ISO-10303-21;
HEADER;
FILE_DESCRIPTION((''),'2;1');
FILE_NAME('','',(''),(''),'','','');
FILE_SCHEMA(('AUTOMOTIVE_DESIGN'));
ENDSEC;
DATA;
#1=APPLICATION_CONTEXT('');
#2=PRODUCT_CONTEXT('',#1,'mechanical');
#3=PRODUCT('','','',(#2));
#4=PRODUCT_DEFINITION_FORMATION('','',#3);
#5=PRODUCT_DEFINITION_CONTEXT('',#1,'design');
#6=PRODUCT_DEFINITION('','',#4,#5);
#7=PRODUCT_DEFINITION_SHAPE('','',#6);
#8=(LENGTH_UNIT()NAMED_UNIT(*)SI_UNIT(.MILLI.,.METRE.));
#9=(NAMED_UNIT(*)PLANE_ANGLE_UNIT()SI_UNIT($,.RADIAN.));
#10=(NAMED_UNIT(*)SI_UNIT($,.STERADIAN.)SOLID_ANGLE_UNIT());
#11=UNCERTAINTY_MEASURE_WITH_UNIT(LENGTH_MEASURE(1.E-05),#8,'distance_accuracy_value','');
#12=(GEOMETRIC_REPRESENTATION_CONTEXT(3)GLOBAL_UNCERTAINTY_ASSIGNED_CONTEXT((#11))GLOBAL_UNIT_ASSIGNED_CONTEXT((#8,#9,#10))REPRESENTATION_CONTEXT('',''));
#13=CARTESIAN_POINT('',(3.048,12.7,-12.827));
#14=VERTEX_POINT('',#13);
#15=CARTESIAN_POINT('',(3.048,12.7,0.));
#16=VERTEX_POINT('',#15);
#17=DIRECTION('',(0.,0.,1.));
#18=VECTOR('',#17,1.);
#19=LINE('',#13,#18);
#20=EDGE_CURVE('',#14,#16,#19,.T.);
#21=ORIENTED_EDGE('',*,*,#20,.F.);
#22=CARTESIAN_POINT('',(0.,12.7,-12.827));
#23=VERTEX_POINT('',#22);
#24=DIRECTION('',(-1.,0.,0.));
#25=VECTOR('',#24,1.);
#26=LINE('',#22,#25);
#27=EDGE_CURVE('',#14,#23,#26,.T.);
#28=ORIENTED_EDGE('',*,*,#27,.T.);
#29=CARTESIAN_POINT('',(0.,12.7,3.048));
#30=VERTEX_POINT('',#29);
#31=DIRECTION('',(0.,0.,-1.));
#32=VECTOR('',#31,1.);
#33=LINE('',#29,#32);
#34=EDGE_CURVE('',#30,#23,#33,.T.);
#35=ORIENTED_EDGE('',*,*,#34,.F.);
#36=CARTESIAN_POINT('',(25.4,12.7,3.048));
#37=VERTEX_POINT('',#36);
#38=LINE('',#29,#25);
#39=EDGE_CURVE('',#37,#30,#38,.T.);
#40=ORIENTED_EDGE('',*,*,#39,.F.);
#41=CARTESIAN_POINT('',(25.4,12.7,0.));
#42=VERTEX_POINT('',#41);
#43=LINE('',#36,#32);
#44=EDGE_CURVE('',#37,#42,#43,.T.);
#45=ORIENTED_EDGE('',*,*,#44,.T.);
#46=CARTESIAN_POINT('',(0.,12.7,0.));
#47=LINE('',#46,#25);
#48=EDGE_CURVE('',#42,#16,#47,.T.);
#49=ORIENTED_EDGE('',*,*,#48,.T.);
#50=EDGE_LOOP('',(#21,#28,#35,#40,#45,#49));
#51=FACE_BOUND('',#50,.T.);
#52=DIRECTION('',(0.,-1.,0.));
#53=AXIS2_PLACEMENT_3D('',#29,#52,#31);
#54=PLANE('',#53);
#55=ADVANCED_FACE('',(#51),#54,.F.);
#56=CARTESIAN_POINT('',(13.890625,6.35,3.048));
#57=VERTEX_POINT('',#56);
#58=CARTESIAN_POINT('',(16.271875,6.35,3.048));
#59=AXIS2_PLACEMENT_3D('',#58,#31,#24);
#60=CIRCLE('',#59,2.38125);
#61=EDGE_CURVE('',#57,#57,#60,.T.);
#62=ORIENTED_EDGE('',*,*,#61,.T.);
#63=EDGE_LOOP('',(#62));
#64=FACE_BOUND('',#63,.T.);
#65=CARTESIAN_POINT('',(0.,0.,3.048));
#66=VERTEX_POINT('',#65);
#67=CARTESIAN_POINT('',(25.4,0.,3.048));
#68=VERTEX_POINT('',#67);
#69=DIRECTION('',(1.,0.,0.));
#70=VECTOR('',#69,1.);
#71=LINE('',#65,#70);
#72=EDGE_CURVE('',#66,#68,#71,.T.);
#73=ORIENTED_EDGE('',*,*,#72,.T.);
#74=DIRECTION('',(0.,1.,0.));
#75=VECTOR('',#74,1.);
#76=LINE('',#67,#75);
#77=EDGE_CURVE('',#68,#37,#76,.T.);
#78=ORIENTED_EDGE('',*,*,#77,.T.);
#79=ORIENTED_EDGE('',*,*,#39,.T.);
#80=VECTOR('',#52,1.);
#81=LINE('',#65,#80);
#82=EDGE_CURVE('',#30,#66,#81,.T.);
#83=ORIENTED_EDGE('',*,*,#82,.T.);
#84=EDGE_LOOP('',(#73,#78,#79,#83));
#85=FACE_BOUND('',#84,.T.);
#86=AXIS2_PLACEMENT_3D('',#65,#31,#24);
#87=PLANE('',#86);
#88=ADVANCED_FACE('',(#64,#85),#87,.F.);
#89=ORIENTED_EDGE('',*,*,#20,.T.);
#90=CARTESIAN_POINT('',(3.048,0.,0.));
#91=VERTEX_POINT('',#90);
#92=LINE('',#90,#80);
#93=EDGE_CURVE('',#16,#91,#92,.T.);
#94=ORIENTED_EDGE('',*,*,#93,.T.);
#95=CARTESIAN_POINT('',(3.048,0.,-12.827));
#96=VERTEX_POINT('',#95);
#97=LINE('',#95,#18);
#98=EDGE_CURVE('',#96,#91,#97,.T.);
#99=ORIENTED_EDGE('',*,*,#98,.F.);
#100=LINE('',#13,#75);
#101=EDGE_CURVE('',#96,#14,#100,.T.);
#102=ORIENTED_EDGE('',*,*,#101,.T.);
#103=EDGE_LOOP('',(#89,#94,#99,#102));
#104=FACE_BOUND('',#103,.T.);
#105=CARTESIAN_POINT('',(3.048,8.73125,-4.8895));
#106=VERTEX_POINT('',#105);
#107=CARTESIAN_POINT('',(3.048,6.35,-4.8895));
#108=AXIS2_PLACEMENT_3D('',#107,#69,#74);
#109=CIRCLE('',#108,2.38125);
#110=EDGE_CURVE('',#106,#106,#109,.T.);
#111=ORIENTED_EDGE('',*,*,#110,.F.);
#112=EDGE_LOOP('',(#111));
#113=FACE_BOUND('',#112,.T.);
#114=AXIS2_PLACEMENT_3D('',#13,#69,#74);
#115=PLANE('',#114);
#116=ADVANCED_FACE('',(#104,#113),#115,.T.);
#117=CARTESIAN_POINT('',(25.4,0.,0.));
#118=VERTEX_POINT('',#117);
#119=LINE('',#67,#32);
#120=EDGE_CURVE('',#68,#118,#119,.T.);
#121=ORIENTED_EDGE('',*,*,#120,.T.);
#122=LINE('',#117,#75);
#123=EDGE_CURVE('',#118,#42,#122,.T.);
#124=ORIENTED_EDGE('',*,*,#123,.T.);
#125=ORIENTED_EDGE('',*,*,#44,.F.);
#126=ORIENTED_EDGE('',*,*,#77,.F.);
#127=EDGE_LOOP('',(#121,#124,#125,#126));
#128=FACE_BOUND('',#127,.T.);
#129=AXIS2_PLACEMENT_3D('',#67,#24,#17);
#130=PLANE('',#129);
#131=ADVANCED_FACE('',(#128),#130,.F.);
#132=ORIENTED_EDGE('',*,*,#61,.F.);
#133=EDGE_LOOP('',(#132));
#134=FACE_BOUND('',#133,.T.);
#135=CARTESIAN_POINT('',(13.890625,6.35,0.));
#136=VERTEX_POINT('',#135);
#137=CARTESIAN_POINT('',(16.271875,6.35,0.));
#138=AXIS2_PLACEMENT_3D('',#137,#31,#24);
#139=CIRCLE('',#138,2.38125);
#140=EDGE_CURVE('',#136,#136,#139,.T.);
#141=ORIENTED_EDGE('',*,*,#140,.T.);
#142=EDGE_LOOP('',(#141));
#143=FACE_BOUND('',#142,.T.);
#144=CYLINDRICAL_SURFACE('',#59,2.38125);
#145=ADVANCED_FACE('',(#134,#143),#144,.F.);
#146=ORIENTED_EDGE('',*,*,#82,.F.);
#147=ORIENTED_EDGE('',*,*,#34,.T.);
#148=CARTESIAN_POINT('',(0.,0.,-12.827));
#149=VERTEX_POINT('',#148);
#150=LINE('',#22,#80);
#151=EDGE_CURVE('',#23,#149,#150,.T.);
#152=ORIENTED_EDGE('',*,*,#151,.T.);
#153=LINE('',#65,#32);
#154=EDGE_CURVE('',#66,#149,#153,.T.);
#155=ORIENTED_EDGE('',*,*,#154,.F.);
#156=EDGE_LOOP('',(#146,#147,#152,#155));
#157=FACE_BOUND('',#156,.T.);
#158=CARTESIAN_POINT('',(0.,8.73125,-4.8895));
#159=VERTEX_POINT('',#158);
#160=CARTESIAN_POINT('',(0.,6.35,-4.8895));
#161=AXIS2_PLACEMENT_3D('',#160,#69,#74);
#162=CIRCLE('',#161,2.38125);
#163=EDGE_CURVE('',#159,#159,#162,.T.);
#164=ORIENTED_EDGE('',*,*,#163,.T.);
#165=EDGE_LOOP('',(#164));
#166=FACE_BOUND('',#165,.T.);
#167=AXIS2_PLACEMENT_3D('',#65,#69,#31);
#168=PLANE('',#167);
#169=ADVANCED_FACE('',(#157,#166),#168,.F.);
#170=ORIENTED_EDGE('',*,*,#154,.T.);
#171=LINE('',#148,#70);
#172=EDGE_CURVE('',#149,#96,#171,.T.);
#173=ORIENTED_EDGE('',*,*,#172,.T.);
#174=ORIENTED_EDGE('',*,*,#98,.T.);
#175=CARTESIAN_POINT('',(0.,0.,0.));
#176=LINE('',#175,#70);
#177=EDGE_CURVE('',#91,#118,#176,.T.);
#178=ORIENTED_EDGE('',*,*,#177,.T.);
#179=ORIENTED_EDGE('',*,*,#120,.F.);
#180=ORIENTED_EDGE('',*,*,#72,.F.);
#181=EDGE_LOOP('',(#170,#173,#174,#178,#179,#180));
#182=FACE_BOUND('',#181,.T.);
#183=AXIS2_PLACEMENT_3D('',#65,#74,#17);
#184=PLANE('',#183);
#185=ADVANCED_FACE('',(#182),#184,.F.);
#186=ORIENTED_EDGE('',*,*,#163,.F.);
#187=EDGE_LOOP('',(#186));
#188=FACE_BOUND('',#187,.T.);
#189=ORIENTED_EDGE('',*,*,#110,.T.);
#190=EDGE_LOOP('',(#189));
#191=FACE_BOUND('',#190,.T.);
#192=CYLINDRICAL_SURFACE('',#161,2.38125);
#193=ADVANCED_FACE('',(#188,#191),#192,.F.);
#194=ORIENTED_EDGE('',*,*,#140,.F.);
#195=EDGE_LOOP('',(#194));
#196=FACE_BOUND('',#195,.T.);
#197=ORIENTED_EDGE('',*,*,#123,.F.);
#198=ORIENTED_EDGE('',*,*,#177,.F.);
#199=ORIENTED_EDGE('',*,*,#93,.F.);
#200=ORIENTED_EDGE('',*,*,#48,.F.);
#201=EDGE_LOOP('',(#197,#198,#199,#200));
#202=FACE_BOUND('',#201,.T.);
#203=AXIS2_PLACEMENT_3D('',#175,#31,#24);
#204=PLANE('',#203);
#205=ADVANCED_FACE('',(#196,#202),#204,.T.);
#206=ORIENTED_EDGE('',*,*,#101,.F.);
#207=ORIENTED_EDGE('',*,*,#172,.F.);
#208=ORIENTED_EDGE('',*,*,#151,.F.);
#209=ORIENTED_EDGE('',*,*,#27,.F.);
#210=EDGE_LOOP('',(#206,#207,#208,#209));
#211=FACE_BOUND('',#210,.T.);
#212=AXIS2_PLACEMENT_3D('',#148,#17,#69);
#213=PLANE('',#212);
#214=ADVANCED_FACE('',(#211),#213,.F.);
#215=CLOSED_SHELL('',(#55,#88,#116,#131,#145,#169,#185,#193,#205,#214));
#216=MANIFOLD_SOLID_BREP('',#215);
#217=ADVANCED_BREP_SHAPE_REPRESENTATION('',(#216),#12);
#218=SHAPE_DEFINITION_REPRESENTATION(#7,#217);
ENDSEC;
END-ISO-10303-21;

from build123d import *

# Parameters (mm, degrees)
SKETCH1_W           = 25.4
SKETCH1_H           = 12.7
BOSS_EXTRUDE1_DEPTH = 3.048
SKETCH2_W           = 3.048
SKETCH2_H           = 12.7
BOSS_EXTRUDE2_DEPTH = 15.875
SKETCH3_R           = 2.38125
CUT_EXTRUDE1_DEPTH  = 4.048
SKETCH4_R           = 2.38125
CUT_EXTRUDE2_DEPTH  = 4.048


with BuildPart() as part:
    # Sketch1 → Boss-Extrude1 (new body)
    with BuildSketch(Plane.XY):
        with Locations((12.7, 6.35)):
            Rectangle(SKETCH1_W, SKETCH1_H)
    extrude(amount=BOSS_EXTRUDE1_DEPTH)

    # Sketch2 → Boss-Extrude2 (add)
    with BuildSketch(Plane.XY.offset(3.048)):
        with Locations((1.524, 6.35)):
            Rectangle(SKETCH2_W, SKETCH2_H)
    extrude(amount=-BOSS_EXTRUDE2_DEPTH)

    # Sketch3 → Cut-Extrude1 (cut, through all)
    with BuildSketch(Plane(origin=(0, 0, 0), x_dir=(-1, 0, 0), z_dir=(0, 0, -1))):
        with Locations((-16.271875, 6.35)):
            Circle(SKETCH3_R)
    extrude(amount=-CUT_EXTRUDE1_DEPTH, mode=Mode.SUBTRACT)

    # Sketch4 → Cut-Extrude2 (cut, through all)
    with BuildSketch(Plane(origin=(3.048, 0, 0), x_dir=(0, 0, -1), z_dir=(1, 0, 0))):
        with Locations((4.8895, 6.35)):
            Circle(SKETCH4_R)
    extrude(amount=-CUT_EXTRUDE2_DEPTH, mode=Mode.SUBTRACT)


solid = part.part
